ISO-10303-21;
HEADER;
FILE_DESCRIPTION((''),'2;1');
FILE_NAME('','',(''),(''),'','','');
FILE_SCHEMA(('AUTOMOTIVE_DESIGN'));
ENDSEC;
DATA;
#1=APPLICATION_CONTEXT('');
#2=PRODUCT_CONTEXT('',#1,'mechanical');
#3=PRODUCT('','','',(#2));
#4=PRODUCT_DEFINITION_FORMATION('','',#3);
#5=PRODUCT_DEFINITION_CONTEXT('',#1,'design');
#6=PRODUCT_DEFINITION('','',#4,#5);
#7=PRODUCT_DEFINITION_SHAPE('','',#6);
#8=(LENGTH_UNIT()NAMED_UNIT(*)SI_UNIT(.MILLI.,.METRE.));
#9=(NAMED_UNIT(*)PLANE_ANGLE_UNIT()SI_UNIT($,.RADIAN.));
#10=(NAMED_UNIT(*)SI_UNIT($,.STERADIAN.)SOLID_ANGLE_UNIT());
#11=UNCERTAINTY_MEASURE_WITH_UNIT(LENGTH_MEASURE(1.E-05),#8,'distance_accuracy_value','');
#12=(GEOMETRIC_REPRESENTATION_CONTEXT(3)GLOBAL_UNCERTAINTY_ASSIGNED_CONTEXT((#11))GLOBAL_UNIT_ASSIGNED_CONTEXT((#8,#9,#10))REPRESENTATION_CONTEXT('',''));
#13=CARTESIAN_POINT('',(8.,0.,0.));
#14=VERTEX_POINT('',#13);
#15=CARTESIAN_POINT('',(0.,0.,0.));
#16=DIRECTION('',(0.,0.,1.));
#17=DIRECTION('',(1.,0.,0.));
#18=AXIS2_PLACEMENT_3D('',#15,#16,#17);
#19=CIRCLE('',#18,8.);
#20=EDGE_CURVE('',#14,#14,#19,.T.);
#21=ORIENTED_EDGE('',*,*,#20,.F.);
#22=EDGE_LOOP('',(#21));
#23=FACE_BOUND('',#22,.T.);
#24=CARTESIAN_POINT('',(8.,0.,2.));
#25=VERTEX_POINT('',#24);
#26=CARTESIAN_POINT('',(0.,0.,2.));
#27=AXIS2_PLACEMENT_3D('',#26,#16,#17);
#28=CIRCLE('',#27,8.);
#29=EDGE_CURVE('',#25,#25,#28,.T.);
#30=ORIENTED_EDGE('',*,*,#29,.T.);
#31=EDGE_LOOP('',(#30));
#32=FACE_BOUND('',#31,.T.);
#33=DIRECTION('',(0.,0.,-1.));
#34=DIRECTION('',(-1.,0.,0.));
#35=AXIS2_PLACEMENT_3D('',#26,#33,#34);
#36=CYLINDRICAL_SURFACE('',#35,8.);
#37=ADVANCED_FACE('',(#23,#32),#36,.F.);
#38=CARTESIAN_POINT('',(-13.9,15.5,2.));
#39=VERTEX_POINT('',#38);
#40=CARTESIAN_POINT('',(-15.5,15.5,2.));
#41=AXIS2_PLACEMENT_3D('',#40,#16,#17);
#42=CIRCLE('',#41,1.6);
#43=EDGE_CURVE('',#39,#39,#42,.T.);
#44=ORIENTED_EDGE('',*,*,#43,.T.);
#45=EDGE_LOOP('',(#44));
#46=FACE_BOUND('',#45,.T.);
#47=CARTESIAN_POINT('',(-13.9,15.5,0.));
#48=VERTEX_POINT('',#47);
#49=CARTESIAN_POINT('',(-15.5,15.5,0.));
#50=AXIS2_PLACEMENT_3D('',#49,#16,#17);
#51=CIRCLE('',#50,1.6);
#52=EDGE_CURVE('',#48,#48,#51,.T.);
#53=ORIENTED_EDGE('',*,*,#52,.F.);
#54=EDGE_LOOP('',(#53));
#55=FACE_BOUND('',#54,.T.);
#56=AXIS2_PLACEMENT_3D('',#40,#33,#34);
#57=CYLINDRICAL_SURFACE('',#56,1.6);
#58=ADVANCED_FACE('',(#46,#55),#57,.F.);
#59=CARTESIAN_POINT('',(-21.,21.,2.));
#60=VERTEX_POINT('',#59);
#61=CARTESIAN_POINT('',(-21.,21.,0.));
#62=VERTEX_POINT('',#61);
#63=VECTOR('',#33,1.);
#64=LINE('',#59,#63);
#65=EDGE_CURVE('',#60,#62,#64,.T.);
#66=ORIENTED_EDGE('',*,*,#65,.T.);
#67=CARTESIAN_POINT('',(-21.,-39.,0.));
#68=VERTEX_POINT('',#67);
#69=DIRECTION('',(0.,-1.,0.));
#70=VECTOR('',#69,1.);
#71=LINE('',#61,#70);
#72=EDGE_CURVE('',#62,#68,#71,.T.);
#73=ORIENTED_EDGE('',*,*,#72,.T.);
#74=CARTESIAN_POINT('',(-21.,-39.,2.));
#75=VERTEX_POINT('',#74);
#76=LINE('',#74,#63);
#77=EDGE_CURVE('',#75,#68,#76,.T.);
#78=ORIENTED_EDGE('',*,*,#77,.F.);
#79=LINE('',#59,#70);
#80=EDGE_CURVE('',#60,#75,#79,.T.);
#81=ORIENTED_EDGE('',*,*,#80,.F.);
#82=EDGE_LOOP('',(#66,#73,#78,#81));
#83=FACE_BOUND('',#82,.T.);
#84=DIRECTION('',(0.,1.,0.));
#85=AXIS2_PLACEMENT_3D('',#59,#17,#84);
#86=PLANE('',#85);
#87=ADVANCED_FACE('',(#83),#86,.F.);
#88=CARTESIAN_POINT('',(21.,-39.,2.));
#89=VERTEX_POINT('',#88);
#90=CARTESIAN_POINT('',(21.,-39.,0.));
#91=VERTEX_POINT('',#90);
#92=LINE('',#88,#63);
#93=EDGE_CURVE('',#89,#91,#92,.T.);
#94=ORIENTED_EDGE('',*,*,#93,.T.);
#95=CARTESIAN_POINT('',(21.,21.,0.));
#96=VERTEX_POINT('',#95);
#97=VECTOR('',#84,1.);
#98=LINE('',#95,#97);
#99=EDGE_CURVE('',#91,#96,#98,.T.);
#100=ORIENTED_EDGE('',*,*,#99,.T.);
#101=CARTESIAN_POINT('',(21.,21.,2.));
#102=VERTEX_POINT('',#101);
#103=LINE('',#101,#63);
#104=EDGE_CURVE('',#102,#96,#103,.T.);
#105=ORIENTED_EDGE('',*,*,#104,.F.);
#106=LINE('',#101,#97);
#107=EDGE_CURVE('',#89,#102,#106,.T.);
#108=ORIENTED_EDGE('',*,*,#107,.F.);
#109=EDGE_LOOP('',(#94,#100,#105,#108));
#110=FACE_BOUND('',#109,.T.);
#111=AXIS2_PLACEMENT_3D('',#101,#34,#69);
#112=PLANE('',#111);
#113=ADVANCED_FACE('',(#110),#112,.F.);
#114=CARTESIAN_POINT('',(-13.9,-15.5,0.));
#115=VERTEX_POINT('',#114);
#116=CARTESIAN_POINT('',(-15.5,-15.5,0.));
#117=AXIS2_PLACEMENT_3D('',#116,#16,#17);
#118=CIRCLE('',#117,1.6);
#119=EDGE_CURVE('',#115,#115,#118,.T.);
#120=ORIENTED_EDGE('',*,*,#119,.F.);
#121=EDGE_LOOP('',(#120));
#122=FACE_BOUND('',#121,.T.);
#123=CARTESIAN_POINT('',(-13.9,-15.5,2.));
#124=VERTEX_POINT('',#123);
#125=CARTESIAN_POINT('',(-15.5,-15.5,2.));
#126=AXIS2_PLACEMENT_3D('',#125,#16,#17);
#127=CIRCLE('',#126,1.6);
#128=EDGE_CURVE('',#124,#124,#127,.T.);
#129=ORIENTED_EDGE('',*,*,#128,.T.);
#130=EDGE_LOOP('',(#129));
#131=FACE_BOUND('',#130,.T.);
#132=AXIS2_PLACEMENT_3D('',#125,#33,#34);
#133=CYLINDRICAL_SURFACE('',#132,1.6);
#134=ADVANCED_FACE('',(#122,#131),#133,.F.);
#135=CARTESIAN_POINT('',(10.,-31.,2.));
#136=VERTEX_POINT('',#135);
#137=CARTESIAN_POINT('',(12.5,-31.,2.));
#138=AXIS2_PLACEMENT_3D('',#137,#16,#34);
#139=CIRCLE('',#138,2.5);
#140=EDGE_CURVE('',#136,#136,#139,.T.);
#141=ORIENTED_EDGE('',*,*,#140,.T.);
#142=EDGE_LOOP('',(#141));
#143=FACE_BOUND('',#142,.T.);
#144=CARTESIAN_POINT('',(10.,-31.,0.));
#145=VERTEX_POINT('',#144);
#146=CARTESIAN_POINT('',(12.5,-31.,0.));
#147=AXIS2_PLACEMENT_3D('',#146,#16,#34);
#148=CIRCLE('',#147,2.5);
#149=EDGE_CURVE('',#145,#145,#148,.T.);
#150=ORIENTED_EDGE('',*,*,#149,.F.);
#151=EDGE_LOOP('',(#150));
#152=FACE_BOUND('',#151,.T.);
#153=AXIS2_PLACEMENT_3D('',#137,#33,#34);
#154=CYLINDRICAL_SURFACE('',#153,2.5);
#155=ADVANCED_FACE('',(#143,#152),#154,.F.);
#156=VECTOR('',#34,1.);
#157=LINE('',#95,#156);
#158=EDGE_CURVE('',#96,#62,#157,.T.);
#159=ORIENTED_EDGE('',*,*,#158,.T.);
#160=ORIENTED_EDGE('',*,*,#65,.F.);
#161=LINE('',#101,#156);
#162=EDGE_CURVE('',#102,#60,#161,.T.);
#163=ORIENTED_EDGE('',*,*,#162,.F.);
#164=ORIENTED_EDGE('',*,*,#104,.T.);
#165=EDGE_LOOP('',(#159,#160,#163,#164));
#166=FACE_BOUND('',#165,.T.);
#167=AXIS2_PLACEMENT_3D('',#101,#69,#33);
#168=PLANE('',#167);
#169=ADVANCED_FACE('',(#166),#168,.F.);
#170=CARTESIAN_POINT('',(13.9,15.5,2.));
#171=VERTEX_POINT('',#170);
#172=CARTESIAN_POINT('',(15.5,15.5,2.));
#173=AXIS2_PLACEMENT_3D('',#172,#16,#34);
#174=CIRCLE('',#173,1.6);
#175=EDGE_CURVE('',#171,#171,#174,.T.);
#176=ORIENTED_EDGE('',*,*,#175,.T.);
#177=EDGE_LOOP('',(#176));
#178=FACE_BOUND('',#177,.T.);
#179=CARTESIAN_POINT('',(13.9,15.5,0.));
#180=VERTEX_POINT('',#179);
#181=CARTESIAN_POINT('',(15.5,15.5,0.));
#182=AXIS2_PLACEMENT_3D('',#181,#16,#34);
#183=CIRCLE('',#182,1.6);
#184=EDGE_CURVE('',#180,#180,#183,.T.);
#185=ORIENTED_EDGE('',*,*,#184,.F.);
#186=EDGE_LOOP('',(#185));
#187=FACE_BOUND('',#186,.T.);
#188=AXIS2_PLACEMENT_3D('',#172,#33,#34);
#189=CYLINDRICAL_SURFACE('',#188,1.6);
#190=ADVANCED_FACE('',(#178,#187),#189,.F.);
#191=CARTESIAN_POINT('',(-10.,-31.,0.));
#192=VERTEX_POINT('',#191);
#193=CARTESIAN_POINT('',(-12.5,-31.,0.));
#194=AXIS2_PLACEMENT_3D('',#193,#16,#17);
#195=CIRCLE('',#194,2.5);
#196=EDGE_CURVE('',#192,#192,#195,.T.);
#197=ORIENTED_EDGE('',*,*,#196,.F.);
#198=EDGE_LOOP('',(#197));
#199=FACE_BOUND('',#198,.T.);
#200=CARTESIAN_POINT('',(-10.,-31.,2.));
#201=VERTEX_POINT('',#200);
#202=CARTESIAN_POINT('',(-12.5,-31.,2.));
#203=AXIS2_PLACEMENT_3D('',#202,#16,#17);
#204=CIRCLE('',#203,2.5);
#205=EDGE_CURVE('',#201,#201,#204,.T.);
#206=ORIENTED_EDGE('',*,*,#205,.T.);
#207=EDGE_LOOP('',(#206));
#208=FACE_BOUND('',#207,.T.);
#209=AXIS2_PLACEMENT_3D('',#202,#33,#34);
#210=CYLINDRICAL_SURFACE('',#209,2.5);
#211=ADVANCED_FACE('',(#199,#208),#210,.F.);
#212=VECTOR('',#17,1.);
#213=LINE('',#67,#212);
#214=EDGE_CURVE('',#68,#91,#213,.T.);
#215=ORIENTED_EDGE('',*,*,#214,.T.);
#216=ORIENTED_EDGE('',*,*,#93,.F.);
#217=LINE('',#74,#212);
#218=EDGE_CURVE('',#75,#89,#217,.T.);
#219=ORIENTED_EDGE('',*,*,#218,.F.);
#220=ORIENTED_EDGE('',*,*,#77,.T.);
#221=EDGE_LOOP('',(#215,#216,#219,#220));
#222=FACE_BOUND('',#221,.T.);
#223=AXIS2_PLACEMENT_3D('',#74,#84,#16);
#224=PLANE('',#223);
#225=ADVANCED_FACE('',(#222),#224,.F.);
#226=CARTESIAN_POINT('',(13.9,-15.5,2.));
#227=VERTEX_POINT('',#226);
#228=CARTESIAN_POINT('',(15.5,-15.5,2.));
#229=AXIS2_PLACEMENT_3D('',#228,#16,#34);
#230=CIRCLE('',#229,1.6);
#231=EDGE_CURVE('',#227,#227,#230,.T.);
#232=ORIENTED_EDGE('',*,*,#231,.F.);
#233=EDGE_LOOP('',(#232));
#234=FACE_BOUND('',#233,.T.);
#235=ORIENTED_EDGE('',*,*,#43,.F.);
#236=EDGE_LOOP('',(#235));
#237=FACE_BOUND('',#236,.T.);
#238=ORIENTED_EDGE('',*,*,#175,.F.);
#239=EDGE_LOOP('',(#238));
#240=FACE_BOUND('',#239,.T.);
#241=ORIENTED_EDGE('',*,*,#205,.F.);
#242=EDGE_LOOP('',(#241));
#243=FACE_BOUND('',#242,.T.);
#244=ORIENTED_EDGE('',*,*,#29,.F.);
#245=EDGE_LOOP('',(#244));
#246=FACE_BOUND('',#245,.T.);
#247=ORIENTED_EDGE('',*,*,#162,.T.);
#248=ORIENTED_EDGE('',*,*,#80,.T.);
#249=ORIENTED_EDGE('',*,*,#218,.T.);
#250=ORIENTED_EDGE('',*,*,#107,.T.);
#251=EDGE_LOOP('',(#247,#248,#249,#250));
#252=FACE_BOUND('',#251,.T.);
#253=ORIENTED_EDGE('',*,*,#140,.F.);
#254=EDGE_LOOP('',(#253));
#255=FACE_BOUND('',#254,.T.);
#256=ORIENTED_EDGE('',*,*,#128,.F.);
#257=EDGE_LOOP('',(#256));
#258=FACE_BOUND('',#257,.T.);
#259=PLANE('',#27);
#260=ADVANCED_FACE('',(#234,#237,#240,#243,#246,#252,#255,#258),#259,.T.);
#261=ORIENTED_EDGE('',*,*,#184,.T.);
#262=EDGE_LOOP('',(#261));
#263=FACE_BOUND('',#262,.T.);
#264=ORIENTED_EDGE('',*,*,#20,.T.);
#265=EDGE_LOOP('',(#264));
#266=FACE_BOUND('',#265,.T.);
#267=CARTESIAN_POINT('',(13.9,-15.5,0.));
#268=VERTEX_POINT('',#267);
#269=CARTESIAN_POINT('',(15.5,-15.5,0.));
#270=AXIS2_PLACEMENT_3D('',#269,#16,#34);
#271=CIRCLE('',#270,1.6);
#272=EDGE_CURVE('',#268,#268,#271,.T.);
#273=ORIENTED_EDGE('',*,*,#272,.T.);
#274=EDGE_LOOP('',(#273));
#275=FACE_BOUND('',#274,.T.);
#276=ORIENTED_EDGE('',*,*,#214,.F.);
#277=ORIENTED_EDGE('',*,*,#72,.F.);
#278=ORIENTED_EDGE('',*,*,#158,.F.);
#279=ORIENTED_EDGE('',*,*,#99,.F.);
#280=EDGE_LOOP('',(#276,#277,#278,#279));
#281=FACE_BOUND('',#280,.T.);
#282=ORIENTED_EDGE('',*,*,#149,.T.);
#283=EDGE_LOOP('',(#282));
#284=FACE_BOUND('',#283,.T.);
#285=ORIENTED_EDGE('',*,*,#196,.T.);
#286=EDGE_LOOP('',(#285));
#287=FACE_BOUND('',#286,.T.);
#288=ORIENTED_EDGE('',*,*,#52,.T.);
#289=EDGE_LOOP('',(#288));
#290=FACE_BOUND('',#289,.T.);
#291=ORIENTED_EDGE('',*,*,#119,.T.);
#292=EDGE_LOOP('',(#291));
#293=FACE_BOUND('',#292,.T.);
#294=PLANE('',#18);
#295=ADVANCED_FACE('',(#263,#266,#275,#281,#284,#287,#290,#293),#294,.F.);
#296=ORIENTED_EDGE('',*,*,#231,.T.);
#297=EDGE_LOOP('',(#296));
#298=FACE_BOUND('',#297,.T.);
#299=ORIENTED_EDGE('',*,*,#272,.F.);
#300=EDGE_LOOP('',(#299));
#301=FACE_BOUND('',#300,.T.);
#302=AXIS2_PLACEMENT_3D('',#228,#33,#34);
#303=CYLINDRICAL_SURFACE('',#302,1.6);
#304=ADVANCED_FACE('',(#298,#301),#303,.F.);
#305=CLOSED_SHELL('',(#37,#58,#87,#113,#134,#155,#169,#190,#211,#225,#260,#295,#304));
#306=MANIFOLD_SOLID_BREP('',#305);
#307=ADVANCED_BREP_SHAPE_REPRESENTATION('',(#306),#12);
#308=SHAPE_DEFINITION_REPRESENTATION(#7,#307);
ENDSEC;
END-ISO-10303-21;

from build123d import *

# Parameters (mm, degrees)
SKETCH_1_W      = 42
SKETCH_1_H      = 60
SKETCH_1_R      = 8
SKETCH_1_R_2    = 1.6
SKETCH_1_R_3    = 2.5
EXTRUDE_1_DEPTH = 2


with BuildPart() as part:
    # 草图1 → 凸台-拉伸1 (new body)
    with BuildSketch(Plane.XY):
        with Locations((0, -9)):
            Rectangle(SKETCH_1_W, SKETCH_1_H)
        Circle(SKETCH_1_R, mode=Mode.SUBTRACT)
        with Locations((-15.5, 15.5)):
            Circle(SKETCH_1_R_2, mode=Mode.SUBTRACT)
        with Locations((-15.5, -15.5)):
            Circle(SKETCH_1_R_2, mode=Mode.SUBTRACT)
        with Locations((-12.5, -31)):
            Circle(SKETCH_1_R_3, mode=Mode.SUBTRACT)
        with Locations(Location((15.5, 15.5, 0), (0, 0, 180))):
            Circle(SKETCH_1_R_2, mode=Mode.SUBTRACT)
        with Locations(Location((15.5, -15.5, 0), (0, 0, 180))):
            Circle(SKETCH_1_R_2, mode=Mode.SUBTRACT)
        with Locations(Location((12.5, -31, 0), (0, 0, 180))):
            Circle(SKETCH_1_R_3, mode=Mode.SUBTRACT)
    extrude(amount=EXTRUDE_1_DEPTH)


solid = part.part
